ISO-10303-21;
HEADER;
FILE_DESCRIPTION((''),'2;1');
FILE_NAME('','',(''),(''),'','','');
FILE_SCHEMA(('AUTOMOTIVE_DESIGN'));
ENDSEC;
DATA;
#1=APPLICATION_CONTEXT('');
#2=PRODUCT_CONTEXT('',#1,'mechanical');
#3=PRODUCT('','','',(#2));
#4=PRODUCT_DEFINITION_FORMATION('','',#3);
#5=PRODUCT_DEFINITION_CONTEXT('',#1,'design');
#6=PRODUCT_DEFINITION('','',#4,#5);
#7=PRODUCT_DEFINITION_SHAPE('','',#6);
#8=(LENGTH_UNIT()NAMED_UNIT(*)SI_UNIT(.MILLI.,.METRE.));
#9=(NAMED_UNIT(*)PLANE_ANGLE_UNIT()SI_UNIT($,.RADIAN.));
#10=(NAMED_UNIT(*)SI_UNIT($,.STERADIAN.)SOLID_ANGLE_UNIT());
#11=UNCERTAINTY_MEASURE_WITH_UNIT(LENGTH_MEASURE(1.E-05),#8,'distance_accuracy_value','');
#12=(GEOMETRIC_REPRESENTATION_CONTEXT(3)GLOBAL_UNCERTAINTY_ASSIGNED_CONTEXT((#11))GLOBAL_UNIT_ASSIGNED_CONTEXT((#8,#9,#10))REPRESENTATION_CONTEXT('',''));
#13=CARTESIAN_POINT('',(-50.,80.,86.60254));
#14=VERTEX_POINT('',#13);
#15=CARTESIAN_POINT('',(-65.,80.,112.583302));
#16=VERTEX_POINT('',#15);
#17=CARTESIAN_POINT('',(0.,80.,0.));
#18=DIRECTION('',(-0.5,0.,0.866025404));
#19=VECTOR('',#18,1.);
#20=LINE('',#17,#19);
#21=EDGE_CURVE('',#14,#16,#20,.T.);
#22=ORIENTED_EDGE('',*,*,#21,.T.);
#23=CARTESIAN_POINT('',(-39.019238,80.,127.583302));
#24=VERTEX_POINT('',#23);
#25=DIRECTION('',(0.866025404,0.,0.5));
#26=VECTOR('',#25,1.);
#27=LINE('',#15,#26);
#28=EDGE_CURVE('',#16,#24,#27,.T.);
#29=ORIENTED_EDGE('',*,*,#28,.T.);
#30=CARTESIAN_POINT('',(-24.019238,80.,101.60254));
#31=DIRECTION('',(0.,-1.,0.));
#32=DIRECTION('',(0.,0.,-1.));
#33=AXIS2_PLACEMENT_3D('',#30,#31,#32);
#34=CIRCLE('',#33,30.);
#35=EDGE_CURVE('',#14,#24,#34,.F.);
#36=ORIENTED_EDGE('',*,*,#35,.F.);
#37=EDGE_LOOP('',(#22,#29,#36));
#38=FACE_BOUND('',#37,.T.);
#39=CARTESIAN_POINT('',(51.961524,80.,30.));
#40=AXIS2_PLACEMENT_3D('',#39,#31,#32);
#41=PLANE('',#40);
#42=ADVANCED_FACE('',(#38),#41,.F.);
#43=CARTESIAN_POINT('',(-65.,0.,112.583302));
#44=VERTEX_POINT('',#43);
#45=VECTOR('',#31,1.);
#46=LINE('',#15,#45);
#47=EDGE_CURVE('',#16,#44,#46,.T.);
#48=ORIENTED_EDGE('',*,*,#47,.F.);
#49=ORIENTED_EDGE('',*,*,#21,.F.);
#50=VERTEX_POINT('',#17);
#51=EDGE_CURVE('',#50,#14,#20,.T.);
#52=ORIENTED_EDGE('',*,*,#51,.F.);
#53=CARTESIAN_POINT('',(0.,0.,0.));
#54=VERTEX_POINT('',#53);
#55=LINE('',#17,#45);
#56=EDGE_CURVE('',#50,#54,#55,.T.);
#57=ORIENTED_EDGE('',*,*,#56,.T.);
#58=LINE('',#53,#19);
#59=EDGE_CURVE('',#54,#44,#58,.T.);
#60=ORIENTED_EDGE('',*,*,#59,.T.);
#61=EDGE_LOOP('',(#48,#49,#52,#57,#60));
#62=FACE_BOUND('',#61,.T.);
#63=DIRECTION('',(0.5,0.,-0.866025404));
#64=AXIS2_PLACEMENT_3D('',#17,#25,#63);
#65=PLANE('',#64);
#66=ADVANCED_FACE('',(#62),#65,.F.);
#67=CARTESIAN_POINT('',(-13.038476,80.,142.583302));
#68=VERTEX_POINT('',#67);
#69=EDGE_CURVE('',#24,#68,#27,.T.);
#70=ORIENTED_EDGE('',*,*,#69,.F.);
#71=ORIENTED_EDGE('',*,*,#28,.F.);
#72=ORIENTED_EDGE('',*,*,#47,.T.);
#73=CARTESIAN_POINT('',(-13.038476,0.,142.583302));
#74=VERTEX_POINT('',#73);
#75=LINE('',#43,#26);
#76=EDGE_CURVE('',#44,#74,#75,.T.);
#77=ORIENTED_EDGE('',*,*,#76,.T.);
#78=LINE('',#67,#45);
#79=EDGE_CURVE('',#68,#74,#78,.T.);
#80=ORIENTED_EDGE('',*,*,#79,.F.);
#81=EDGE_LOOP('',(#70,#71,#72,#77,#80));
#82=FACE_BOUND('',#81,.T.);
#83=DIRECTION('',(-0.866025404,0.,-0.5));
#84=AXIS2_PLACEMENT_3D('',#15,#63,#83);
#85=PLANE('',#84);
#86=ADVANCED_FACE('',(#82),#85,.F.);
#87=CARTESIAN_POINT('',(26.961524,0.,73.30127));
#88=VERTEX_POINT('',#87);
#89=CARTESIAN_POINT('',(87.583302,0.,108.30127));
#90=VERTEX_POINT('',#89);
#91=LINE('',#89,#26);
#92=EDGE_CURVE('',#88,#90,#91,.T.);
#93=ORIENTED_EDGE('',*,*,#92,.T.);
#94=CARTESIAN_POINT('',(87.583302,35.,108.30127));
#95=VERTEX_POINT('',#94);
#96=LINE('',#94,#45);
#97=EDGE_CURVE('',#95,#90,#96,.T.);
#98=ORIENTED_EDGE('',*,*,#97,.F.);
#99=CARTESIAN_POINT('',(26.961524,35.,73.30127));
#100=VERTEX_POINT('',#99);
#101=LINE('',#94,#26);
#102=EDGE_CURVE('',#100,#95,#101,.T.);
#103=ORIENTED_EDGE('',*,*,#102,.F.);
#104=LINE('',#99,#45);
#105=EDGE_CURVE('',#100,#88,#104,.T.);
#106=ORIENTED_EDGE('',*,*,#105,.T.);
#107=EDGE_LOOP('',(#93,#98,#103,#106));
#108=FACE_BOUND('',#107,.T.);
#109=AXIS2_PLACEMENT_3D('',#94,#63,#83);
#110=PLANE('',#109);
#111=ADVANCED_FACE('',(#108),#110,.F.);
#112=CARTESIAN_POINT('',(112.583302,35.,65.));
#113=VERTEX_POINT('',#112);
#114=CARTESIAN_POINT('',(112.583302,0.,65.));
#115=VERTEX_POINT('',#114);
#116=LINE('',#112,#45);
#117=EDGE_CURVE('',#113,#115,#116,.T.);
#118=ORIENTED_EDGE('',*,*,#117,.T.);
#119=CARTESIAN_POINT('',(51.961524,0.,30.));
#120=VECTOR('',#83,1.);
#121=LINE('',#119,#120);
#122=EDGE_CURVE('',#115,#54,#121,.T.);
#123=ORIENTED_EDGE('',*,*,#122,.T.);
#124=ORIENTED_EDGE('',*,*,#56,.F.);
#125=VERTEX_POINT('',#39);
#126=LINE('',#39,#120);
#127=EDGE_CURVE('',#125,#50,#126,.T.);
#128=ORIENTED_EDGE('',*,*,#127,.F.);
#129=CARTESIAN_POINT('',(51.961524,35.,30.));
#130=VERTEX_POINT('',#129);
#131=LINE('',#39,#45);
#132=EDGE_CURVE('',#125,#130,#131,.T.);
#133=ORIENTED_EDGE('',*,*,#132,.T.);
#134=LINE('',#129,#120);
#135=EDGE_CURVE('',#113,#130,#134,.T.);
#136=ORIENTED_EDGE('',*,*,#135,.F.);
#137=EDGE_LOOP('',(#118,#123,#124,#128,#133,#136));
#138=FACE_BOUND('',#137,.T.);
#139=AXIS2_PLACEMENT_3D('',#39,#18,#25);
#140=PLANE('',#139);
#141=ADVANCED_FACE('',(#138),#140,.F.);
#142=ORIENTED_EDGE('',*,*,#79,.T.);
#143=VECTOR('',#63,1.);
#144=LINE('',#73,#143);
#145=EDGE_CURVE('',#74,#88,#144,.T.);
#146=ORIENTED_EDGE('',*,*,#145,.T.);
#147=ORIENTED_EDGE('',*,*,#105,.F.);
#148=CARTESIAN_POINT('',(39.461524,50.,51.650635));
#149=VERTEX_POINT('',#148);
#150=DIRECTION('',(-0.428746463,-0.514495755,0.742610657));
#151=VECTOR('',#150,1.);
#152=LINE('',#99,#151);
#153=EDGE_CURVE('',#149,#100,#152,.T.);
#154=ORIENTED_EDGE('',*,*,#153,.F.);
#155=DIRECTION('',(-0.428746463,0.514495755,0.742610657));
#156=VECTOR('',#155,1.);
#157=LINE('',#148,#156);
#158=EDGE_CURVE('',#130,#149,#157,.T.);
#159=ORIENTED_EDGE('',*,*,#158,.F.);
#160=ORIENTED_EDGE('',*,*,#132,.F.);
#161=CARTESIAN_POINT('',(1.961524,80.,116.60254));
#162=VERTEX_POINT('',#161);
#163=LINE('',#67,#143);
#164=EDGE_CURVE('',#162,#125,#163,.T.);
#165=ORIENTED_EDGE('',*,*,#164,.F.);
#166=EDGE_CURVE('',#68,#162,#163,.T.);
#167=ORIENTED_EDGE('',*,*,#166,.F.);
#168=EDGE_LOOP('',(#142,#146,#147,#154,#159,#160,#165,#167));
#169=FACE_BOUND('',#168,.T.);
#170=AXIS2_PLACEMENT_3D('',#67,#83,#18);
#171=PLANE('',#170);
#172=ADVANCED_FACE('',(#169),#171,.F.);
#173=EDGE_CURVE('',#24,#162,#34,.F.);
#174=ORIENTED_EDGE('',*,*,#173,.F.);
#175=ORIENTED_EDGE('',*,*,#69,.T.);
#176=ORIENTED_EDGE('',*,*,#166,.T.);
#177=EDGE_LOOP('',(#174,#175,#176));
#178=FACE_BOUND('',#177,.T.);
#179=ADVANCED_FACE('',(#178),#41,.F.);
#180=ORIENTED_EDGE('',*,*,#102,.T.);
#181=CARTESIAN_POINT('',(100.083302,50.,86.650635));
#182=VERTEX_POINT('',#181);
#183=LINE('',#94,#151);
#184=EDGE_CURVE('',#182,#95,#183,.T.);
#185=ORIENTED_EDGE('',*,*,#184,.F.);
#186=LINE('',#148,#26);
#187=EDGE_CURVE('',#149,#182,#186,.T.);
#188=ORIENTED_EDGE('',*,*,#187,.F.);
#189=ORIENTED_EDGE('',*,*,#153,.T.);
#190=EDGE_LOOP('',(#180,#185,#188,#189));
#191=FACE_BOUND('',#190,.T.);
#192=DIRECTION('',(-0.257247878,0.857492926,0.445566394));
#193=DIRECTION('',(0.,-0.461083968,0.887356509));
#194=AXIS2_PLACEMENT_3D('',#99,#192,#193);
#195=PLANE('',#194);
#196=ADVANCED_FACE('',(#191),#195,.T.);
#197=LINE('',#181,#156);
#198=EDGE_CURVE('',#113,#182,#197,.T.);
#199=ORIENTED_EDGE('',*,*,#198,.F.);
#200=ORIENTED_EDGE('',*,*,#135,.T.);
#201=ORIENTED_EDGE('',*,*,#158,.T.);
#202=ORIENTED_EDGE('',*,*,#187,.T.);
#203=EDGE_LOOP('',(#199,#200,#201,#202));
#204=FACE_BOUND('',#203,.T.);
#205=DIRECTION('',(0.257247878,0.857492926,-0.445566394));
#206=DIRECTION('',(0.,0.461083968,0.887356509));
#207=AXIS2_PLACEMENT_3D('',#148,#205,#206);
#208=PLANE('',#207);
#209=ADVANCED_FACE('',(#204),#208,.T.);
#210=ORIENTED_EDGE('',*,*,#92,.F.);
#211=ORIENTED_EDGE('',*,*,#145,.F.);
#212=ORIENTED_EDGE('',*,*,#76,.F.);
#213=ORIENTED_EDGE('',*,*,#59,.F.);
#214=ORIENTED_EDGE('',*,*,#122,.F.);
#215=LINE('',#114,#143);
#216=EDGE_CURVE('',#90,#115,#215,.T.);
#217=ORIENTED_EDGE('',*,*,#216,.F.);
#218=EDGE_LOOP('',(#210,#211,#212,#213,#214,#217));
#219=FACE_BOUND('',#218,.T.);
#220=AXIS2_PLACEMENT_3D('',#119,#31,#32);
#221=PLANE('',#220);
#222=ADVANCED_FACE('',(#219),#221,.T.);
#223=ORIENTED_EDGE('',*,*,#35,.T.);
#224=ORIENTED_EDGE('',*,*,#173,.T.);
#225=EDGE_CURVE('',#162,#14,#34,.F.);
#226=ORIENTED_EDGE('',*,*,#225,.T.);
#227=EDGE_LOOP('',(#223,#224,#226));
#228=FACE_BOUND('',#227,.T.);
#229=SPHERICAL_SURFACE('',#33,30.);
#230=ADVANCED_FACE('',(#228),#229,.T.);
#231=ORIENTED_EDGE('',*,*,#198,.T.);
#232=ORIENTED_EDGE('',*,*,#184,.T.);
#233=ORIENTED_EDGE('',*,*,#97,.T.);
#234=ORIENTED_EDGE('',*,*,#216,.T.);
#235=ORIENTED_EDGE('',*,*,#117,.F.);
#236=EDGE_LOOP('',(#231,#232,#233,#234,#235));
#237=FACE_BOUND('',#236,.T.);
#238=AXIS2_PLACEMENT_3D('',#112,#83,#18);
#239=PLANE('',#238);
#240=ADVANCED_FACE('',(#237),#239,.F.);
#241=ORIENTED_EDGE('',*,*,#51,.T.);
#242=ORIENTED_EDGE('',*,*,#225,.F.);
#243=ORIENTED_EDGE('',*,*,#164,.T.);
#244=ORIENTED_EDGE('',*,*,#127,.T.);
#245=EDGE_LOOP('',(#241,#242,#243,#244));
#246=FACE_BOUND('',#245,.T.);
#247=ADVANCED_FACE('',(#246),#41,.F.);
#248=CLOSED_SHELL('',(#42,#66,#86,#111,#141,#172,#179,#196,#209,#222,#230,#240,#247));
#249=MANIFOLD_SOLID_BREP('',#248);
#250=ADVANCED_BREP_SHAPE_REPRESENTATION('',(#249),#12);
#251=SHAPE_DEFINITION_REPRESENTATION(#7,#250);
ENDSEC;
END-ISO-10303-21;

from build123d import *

# Parameters (mm, degrees)
MAIN_BUILDING_DEPTH       = 80
SMALL_BUILDING_DEPTH      = 35
SMALL_BUILDING_ROOF_DEPTH = 70


with BuildPart() as part:
    # Sketch1 → Main Building (new body)
    with BuildSketch(Plane(origin=(0, 0, 0), x_dir=(1, 0, 0), z_dir=(0, 1, 0))):
        Polygon((0, 0), (-65, -112.583302492), (-13.038475773, -142.583302492), (51.961524227, -30), align=None)
    extrude(amount=MAIN_BUILDING_DEPTH)

    # Sketch2 → Dome (revolve)
    with BuildSketch(Plane(origin=(0, 80, 0), x_dir=(-1, 0, 0), z_dir=(0, 1, 0))):
        with BuildLine():
            Line((24.019237886, 71.602540378), (24.019237886, 131.602540378))
            ThreePointArc((24.019237886, 131.602540378), (-5.980762114, 101.602540378), (24.019237886, 71.602540378))
        make_face()
    revolve(axis=Axis((-24.019237886, 80, 71.602540378), (0, 0, 1)))

    # Sketch3 → Small Building (add)
    with BuildSketch(Plane(origin=(0, 0, 0), x_dir=(1, 0, 0), z_dir=(0, 1, 0))):
        Polygon((51.961524227, -30), (112.583302492, -65), (87.583302492, -108.301270189), (26.961524227, -73.301270189), align=None)
    extrude(amount=SMALL_BUILDING_DEPTH)

    # Sketch4 → Small Building Roof (add)
    with BuildSketch(Plane(origin=(112.583302492, 0, 65), x_dir=(0.5, 0, -0.866025404), z_dir=(0.866025404, 0, 0.5))):
        Polygon((0, 35), (-50, 35), (-25, 50), align=None)
    extrude(amount=-SMALL_BUILDING_ROOF_DEPTH)


solid = part.part
